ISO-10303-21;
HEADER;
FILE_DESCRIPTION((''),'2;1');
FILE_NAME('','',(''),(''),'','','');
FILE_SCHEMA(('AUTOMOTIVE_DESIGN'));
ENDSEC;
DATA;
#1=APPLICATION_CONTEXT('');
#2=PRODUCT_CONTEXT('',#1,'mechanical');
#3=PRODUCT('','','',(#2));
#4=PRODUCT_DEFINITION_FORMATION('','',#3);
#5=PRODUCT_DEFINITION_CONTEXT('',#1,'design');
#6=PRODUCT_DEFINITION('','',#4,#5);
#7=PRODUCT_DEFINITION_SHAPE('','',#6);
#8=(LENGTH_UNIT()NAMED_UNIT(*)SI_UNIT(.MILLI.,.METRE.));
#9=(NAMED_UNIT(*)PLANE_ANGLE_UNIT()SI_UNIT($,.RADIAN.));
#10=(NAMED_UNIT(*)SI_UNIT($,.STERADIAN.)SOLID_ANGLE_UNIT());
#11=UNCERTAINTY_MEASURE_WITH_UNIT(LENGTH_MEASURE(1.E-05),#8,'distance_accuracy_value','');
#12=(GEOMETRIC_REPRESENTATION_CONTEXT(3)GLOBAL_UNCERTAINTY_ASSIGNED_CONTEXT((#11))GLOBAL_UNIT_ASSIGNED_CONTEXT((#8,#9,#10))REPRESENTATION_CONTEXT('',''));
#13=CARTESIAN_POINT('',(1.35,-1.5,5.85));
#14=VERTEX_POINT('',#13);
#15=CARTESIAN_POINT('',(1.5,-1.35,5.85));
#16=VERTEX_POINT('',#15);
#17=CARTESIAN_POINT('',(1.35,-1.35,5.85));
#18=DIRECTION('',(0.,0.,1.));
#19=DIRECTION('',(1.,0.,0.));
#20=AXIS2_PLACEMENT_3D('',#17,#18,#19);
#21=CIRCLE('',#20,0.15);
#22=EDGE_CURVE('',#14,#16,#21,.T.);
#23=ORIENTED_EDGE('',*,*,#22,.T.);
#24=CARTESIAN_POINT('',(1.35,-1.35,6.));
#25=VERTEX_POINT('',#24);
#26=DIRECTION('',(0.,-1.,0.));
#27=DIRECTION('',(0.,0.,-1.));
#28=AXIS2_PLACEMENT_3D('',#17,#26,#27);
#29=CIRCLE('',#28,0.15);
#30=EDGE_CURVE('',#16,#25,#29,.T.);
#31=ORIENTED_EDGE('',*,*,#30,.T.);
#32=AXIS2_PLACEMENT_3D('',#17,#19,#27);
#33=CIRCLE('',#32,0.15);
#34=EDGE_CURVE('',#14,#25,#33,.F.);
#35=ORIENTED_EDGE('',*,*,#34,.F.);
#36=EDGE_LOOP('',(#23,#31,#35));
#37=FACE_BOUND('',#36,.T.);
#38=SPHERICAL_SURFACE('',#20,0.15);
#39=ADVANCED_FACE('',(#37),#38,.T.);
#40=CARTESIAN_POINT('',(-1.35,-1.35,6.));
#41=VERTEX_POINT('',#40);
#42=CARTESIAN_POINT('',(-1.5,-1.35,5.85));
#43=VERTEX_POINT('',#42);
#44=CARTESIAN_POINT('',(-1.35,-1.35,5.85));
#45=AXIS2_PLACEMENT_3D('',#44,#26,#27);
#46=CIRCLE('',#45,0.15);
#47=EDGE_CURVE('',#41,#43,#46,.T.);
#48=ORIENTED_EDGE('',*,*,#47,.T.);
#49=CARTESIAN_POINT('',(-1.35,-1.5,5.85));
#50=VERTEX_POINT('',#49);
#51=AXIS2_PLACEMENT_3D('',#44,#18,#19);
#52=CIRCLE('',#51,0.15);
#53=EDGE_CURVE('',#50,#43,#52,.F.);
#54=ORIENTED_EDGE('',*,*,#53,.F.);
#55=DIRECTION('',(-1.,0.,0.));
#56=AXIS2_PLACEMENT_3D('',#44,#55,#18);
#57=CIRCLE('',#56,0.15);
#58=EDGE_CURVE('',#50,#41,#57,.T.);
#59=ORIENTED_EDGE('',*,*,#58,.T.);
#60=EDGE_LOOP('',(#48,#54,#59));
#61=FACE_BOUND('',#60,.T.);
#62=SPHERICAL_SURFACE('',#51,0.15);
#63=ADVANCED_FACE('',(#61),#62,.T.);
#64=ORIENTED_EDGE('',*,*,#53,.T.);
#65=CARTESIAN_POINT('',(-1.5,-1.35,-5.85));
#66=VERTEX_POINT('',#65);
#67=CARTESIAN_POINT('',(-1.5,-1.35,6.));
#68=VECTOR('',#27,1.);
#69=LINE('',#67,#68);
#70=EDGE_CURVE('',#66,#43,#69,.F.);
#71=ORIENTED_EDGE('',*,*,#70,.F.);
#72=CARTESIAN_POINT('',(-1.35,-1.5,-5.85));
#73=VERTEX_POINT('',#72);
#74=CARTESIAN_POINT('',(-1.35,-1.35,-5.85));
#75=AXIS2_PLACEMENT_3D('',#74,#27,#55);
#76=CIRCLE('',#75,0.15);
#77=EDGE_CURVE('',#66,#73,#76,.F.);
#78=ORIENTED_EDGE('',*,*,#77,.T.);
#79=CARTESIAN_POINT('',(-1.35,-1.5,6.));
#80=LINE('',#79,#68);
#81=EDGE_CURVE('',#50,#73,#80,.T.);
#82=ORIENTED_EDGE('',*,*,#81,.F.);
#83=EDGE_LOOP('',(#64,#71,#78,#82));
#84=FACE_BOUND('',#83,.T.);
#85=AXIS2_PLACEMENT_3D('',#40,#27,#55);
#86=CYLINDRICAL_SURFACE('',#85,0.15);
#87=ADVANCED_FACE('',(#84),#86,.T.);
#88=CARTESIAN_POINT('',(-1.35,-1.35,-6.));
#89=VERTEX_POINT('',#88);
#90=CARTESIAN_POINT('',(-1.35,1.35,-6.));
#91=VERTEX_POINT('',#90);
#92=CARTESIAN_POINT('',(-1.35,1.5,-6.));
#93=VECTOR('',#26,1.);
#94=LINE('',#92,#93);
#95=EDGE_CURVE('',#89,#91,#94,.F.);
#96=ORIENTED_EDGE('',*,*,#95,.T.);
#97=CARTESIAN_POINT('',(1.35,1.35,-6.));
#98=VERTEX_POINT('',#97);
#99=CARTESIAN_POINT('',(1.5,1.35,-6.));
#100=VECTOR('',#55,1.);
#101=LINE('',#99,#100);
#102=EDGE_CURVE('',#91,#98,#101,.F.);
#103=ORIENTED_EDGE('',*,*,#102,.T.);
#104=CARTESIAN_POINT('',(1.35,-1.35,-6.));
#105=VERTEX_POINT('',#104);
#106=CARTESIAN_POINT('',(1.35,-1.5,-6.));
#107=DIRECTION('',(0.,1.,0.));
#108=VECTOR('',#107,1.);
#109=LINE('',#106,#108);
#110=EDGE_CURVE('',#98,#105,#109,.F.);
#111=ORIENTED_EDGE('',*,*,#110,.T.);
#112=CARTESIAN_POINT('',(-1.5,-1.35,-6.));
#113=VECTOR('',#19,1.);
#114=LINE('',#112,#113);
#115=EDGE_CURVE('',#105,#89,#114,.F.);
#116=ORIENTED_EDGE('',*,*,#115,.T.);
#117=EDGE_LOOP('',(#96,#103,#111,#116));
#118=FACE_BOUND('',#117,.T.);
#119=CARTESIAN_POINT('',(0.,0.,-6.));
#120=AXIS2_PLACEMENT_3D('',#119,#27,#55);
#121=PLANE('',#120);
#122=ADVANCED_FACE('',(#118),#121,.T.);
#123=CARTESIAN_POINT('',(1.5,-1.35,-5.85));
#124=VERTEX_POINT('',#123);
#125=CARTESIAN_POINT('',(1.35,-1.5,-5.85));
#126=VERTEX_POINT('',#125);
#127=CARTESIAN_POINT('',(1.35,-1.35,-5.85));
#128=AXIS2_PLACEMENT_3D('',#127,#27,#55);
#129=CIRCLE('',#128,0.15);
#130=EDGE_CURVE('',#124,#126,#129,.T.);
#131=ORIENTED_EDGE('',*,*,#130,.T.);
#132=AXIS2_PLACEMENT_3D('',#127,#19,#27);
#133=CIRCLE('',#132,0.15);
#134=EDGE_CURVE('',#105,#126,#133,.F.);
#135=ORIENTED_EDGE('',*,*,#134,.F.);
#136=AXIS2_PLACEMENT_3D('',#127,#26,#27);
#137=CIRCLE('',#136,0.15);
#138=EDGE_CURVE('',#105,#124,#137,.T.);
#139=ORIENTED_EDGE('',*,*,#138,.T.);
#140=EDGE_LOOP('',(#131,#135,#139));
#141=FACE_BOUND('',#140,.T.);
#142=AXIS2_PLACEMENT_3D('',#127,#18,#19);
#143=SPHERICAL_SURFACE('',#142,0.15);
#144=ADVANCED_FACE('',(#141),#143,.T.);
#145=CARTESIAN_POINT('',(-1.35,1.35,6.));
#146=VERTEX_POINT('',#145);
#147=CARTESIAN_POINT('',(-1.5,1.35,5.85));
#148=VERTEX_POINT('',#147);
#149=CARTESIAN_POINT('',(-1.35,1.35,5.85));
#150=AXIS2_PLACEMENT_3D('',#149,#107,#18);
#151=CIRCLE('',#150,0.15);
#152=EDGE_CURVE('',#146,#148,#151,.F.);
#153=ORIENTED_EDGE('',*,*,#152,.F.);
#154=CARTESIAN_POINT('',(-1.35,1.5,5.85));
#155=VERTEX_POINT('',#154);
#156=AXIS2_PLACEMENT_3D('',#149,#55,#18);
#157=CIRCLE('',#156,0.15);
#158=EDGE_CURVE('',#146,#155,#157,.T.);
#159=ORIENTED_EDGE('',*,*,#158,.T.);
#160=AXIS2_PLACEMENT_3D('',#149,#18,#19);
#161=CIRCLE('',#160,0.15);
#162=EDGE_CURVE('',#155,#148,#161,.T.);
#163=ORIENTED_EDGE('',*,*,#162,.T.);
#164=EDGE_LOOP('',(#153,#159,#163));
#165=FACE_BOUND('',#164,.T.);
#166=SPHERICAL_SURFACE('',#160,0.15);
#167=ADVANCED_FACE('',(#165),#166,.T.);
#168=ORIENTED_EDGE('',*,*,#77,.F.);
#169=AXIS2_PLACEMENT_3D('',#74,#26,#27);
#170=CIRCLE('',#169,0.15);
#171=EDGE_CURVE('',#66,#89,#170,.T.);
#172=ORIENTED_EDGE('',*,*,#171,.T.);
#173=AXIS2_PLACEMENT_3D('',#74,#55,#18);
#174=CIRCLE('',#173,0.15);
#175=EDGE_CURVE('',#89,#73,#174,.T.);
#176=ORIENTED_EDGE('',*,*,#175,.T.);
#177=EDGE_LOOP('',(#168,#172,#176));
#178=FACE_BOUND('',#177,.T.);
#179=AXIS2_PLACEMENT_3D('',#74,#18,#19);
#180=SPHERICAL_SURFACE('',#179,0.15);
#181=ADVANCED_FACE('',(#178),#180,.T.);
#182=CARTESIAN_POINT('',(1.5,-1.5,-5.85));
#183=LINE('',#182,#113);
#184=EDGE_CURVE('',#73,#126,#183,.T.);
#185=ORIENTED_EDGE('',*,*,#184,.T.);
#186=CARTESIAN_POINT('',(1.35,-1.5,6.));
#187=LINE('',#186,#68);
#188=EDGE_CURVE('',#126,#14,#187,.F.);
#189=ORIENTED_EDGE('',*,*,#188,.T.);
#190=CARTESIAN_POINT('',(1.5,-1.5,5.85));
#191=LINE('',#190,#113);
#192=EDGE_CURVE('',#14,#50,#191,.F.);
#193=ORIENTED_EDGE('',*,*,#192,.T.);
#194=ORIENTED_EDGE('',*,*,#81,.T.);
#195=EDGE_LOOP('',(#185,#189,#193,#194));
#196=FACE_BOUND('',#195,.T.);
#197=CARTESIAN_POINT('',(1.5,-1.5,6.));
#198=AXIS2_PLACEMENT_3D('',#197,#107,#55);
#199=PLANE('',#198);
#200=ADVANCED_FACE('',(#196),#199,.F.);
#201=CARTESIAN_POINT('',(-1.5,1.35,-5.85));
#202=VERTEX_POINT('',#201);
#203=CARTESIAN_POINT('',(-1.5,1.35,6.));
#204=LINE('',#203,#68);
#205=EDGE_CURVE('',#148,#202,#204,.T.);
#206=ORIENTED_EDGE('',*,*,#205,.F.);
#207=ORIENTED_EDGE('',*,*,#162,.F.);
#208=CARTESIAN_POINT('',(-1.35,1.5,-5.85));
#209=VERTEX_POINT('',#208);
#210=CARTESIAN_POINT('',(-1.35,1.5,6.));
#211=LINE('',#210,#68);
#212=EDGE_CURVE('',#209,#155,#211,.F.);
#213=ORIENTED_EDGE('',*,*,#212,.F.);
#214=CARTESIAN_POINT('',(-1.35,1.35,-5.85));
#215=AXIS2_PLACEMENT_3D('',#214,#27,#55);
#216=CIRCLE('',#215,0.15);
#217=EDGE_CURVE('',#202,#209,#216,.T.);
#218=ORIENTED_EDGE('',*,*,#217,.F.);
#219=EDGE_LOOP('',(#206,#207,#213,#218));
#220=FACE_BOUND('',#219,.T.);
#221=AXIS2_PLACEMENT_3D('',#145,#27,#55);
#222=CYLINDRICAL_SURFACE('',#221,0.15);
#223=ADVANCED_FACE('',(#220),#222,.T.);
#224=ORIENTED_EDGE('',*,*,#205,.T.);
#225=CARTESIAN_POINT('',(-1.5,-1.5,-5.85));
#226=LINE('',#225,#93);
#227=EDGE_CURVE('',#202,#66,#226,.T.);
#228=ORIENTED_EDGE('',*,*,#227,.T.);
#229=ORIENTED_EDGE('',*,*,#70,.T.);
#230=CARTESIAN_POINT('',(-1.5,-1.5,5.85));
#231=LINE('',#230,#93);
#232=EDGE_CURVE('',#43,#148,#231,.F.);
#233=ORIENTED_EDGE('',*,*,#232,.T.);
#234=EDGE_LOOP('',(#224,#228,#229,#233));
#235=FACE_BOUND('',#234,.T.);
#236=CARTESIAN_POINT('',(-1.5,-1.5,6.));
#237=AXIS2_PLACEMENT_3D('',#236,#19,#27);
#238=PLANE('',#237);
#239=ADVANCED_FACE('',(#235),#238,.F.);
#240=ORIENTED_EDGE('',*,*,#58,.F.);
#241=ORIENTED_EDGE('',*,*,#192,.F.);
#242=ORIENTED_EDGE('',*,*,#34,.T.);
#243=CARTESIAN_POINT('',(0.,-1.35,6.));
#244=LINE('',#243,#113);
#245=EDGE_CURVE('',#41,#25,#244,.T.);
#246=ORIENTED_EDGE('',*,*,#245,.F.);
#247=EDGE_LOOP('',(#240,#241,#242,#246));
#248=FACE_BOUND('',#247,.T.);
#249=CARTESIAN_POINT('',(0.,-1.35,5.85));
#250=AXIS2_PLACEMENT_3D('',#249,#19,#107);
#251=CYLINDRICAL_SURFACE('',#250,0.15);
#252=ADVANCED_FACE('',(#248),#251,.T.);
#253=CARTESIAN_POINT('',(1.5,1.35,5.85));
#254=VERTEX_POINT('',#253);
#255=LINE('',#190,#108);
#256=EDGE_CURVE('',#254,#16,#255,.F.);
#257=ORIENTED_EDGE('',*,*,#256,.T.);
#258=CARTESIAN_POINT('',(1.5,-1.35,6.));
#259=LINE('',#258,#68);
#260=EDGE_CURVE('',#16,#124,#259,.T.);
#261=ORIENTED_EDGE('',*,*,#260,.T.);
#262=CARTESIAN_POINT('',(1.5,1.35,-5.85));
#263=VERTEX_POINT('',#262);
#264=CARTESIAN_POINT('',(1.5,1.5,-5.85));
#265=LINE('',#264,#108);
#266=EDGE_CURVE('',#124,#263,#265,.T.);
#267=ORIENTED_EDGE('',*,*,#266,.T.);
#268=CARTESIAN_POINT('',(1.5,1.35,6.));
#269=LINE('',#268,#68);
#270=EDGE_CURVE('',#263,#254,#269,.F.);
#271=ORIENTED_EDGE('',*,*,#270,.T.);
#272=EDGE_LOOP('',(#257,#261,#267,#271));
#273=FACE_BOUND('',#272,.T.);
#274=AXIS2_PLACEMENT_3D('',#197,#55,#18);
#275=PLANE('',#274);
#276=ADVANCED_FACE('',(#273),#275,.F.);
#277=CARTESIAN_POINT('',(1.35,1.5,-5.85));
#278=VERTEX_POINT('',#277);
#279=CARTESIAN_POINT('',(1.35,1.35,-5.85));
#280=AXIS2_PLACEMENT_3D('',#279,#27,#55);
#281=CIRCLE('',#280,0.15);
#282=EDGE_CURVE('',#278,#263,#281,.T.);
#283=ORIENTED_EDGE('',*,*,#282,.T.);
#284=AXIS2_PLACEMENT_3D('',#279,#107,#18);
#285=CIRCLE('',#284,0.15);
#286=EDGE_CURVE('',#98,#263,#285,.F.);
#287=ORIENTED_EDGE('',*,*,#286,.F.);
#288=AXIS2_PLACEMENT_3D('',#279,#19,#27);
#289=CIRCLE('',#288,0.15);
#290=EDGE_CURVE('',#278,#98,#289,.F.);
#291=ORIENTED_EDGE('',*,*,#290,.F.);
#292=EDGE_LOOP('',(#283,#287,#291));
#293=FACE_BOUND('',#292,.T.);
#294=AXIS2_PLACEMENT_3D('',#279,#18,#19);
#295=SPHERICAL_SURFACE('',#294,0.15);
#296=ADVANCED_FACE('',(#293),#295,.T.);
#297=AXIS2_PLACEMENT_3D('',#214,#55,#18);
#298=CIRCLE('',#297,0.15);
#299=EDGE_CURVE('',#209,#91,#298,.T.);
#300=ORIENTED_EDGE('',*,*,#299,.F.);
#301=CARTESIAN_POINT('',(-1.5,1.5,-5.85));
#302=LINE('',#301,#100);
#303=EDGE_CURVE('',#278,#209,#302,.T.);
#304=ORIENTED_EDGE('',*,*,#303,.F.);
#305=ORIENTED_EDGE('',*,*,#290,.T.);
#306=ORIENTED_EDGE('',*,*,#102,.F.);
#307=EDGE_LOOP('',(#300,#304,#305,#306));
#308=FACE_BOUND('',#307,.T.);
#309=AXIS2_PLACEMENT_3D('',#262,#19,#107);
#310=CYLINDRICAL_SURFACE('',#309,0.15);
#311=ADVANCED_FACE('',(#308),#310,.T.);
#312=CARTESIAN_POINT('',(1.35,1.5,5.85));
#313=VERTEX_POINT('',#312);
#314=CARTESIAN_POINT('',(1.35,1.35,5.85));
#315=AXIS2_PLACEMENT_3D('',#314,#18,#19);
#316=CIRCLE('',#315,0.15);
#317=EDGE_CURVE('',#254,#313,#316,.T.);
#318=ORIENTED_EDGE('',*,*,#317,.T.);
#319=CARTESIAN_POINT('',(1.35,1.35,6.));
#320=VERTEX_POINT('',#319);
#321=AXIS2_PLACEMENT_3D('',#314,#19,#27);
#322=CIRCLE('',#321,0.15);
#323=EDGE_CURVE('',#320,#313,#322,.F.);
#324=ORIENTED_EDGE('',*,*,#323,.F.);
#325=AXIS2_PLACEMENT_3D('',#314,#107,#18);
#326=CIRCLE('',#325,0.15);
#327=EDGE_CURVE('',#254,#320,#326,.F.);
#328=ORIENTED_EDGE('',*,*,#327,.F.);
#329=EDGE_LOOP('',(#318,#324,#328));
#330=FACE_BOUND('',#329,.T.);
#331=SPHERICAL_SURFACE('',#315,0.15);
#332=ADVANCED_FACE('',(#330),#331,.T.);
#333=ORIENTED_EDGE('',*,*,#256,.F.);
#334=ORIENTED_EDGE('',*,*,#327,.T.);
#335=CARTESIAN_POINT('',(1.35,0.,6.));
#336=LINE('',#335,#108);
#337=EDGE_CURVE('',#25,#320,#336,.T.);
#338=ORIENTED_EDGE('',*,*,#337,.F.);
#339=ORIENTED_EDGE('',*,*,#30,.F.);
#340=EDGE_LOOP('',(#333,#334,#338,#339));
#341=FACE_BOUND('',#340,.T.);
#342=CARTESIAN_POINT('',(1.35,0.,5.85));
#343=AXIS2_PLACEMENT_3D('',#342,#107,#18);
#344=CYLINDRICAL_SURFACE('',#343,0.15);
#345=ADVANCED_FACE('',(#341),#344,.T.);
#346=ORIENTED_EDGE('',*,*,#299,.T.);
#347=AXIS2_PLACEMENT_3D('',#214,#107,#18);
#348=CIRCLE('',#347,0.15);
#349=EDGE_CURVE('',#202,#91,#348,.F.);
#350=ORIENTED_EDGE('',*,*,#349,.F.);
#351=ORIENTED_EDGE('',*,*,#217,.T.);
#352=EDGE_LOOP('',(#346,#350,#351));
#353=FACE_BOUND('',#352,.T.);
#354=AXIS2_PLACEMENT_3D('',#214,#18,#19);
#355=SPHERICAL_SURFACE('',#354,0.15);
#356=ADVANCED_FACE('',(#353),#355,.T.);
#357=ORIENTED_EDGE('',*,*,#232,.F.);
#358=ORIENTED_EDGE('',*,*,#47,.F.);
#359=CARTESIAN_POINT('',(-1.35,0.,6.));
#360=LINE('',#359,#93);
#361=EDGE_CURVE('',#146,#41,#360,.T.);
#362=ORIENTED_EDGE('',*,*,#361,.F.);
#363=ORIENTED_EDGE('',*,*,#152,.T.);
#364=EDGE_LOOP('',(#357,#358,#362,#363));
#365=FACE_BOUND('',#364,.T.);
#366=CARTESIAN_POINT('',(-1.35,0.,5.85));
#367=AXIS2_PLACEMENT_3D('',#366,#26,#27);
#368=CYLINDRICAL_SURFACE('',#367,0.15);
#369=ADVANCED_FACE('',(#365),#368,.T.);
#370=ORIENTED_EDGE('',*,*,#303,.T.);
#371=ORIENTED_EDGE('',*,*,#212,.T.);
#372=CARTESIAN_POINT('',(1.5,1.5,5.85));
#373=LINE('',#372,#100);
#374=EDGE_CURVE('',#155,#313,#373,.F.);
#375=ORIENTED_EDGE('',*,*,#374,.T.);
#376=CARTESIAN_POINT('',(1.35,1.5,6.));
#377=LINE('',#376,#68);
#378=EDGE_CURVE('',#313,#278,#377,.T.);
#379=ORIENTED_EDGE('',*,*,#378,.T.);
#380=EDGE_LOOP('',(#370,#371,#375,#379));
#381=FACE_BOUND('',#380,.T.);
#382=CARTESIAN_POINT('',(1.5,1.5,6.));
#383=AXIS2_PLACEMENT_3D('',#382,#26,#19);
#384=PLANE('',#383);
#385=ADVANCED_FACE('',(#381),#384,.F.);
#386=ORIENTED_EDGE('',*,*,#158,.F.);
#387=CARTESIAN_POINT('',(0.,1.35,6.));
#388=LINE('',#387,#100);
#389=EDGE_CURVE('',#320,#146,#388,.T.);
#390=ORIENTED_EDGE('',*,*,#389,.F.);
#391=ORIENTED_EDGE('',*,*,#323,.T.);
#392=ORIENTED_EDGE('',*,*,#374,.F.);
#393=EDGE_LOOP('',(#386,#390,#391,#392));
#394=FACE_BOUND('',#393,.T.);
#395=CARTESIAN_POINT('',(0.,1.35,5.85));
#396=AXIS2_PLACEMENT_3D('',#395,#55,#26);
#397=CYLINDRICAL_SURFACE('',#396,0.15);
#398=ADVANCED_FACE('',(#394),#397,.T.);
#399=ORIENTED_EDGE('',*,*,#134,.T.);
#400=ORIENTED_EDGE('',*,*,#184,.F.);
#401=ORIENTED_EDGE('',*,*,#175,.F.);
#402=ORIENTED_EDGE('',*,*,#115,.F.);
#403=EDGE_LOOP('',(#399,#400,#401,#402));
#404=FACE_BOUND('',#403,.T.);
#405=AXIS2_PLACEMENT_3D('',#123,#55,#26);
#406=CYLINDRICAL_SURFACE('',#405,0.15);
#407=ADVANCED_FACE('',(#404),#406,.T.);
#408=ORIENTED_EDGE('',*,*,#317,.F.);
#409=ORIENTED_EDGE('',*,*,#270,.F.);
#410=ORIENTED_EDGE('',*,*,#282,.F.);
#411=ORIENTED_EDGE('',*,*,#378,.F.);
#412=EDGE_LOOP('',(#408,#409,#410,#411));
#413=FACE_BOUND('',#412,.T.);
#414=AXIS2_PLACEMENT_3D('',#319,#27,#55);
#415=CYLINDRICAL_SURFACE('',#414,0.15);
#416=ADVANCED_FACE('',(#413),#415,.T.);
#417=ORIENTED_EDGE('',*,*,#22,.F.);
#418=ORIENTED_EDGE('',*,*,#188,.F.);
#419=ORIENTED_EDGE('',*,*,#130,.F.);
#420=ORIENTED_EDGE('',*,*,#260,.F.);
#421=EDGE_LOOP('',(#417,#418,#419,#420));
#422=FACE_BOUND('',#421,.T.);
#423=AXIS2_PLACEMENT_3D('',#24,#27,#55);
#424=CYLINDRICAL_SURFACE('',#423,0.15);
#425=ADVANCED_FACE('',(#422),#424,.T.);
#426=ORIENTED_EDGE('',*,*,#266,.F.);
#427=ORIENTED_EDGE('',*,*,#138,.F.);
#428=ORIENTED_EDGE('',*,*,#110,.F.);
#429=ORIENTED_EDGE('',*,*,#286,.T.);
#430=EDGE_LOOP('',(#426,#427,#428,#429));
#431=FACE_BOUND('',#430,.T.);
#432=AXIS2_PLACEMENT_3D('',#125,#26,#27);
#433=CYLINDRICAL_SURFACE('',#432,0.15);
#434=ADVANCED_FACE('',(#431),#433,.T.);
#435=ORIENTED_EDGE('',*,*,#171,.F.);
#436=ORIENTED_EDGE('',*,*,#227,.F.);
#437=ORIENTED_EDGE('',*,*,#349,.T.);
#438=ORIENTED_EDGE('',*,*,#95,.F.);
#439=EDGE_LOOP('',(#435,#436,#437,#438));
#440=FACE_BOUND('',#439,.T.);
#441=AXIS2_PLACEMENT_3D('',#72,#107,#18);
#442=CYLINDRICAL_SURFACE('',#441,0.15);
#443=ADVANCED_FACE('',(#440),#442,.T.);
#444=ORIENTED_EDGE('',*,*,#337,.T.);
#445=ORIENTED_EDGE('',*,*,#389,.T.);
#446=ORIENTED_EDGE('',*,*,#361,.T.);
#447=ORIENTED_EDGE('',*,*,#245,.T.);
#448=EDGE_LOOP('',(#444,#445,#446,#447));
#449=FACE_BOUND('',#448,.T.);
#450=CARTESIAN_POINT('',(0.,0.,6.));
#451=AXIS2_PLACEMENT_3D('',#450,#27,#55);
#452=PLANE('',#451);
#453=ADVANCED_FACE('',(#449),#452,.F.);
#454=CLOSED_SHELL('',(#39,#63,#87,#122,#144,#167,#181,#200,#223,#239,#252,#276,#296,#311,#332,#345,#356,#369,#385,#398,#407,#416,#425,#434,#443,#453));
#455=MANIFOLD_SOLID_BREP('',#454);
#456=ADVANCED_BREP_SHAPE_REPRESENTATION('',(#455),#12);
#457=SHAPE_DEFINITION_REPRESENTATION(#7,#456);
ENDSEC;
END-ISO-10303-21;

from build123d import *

# Parameters (mm, degrees)
BOSS_EXTRUDE1_DEPTH      = 6
BOSS_EXTRUDE1_DEPTH_BACK = 6
SKETCH3_W                = 3
SKETCH3_H                = 3
FILLET2_R                = 0.15


with BuildPart() as part:
    # Sketch3 → Boss-Extrude1 (new, two sides: drawn at the far end of the back side and taken through both)
    with BuildSketch(Plane.XY.offset(-BOSS_EXTRUDE1_DEPTH_BACK)):
        Rectangle(SKETCH3_W, SKETCH3_H)
    extrude(amount=BOSS_EXTRUDE1_DEPTH + BOSS_EXTRUDE1_DEPTH_BACK)

    # Fillet2
    fillet2_edges = [part.edges().sort_by_distance(p)[0] for p in [
        (0, 1.5, 6),
        (0, -1.5, -6),
        (-1.5, 0, -6),
        (0, 1.5, -6),
        (1.5, 0, -6),
        (-1.5, 0, 6),
        (0, -1.5, 6),
        (1.5, 0, 6),
        (-1.5, -1.5, 0),
        (-1.5, 1.5, 0),
        (1.5, 1.5, 0),
        (1.5, -1.5, 0),
    ]]
    fillet(fillet2_edges, radius=FILLET2_R)


solid = part.part
